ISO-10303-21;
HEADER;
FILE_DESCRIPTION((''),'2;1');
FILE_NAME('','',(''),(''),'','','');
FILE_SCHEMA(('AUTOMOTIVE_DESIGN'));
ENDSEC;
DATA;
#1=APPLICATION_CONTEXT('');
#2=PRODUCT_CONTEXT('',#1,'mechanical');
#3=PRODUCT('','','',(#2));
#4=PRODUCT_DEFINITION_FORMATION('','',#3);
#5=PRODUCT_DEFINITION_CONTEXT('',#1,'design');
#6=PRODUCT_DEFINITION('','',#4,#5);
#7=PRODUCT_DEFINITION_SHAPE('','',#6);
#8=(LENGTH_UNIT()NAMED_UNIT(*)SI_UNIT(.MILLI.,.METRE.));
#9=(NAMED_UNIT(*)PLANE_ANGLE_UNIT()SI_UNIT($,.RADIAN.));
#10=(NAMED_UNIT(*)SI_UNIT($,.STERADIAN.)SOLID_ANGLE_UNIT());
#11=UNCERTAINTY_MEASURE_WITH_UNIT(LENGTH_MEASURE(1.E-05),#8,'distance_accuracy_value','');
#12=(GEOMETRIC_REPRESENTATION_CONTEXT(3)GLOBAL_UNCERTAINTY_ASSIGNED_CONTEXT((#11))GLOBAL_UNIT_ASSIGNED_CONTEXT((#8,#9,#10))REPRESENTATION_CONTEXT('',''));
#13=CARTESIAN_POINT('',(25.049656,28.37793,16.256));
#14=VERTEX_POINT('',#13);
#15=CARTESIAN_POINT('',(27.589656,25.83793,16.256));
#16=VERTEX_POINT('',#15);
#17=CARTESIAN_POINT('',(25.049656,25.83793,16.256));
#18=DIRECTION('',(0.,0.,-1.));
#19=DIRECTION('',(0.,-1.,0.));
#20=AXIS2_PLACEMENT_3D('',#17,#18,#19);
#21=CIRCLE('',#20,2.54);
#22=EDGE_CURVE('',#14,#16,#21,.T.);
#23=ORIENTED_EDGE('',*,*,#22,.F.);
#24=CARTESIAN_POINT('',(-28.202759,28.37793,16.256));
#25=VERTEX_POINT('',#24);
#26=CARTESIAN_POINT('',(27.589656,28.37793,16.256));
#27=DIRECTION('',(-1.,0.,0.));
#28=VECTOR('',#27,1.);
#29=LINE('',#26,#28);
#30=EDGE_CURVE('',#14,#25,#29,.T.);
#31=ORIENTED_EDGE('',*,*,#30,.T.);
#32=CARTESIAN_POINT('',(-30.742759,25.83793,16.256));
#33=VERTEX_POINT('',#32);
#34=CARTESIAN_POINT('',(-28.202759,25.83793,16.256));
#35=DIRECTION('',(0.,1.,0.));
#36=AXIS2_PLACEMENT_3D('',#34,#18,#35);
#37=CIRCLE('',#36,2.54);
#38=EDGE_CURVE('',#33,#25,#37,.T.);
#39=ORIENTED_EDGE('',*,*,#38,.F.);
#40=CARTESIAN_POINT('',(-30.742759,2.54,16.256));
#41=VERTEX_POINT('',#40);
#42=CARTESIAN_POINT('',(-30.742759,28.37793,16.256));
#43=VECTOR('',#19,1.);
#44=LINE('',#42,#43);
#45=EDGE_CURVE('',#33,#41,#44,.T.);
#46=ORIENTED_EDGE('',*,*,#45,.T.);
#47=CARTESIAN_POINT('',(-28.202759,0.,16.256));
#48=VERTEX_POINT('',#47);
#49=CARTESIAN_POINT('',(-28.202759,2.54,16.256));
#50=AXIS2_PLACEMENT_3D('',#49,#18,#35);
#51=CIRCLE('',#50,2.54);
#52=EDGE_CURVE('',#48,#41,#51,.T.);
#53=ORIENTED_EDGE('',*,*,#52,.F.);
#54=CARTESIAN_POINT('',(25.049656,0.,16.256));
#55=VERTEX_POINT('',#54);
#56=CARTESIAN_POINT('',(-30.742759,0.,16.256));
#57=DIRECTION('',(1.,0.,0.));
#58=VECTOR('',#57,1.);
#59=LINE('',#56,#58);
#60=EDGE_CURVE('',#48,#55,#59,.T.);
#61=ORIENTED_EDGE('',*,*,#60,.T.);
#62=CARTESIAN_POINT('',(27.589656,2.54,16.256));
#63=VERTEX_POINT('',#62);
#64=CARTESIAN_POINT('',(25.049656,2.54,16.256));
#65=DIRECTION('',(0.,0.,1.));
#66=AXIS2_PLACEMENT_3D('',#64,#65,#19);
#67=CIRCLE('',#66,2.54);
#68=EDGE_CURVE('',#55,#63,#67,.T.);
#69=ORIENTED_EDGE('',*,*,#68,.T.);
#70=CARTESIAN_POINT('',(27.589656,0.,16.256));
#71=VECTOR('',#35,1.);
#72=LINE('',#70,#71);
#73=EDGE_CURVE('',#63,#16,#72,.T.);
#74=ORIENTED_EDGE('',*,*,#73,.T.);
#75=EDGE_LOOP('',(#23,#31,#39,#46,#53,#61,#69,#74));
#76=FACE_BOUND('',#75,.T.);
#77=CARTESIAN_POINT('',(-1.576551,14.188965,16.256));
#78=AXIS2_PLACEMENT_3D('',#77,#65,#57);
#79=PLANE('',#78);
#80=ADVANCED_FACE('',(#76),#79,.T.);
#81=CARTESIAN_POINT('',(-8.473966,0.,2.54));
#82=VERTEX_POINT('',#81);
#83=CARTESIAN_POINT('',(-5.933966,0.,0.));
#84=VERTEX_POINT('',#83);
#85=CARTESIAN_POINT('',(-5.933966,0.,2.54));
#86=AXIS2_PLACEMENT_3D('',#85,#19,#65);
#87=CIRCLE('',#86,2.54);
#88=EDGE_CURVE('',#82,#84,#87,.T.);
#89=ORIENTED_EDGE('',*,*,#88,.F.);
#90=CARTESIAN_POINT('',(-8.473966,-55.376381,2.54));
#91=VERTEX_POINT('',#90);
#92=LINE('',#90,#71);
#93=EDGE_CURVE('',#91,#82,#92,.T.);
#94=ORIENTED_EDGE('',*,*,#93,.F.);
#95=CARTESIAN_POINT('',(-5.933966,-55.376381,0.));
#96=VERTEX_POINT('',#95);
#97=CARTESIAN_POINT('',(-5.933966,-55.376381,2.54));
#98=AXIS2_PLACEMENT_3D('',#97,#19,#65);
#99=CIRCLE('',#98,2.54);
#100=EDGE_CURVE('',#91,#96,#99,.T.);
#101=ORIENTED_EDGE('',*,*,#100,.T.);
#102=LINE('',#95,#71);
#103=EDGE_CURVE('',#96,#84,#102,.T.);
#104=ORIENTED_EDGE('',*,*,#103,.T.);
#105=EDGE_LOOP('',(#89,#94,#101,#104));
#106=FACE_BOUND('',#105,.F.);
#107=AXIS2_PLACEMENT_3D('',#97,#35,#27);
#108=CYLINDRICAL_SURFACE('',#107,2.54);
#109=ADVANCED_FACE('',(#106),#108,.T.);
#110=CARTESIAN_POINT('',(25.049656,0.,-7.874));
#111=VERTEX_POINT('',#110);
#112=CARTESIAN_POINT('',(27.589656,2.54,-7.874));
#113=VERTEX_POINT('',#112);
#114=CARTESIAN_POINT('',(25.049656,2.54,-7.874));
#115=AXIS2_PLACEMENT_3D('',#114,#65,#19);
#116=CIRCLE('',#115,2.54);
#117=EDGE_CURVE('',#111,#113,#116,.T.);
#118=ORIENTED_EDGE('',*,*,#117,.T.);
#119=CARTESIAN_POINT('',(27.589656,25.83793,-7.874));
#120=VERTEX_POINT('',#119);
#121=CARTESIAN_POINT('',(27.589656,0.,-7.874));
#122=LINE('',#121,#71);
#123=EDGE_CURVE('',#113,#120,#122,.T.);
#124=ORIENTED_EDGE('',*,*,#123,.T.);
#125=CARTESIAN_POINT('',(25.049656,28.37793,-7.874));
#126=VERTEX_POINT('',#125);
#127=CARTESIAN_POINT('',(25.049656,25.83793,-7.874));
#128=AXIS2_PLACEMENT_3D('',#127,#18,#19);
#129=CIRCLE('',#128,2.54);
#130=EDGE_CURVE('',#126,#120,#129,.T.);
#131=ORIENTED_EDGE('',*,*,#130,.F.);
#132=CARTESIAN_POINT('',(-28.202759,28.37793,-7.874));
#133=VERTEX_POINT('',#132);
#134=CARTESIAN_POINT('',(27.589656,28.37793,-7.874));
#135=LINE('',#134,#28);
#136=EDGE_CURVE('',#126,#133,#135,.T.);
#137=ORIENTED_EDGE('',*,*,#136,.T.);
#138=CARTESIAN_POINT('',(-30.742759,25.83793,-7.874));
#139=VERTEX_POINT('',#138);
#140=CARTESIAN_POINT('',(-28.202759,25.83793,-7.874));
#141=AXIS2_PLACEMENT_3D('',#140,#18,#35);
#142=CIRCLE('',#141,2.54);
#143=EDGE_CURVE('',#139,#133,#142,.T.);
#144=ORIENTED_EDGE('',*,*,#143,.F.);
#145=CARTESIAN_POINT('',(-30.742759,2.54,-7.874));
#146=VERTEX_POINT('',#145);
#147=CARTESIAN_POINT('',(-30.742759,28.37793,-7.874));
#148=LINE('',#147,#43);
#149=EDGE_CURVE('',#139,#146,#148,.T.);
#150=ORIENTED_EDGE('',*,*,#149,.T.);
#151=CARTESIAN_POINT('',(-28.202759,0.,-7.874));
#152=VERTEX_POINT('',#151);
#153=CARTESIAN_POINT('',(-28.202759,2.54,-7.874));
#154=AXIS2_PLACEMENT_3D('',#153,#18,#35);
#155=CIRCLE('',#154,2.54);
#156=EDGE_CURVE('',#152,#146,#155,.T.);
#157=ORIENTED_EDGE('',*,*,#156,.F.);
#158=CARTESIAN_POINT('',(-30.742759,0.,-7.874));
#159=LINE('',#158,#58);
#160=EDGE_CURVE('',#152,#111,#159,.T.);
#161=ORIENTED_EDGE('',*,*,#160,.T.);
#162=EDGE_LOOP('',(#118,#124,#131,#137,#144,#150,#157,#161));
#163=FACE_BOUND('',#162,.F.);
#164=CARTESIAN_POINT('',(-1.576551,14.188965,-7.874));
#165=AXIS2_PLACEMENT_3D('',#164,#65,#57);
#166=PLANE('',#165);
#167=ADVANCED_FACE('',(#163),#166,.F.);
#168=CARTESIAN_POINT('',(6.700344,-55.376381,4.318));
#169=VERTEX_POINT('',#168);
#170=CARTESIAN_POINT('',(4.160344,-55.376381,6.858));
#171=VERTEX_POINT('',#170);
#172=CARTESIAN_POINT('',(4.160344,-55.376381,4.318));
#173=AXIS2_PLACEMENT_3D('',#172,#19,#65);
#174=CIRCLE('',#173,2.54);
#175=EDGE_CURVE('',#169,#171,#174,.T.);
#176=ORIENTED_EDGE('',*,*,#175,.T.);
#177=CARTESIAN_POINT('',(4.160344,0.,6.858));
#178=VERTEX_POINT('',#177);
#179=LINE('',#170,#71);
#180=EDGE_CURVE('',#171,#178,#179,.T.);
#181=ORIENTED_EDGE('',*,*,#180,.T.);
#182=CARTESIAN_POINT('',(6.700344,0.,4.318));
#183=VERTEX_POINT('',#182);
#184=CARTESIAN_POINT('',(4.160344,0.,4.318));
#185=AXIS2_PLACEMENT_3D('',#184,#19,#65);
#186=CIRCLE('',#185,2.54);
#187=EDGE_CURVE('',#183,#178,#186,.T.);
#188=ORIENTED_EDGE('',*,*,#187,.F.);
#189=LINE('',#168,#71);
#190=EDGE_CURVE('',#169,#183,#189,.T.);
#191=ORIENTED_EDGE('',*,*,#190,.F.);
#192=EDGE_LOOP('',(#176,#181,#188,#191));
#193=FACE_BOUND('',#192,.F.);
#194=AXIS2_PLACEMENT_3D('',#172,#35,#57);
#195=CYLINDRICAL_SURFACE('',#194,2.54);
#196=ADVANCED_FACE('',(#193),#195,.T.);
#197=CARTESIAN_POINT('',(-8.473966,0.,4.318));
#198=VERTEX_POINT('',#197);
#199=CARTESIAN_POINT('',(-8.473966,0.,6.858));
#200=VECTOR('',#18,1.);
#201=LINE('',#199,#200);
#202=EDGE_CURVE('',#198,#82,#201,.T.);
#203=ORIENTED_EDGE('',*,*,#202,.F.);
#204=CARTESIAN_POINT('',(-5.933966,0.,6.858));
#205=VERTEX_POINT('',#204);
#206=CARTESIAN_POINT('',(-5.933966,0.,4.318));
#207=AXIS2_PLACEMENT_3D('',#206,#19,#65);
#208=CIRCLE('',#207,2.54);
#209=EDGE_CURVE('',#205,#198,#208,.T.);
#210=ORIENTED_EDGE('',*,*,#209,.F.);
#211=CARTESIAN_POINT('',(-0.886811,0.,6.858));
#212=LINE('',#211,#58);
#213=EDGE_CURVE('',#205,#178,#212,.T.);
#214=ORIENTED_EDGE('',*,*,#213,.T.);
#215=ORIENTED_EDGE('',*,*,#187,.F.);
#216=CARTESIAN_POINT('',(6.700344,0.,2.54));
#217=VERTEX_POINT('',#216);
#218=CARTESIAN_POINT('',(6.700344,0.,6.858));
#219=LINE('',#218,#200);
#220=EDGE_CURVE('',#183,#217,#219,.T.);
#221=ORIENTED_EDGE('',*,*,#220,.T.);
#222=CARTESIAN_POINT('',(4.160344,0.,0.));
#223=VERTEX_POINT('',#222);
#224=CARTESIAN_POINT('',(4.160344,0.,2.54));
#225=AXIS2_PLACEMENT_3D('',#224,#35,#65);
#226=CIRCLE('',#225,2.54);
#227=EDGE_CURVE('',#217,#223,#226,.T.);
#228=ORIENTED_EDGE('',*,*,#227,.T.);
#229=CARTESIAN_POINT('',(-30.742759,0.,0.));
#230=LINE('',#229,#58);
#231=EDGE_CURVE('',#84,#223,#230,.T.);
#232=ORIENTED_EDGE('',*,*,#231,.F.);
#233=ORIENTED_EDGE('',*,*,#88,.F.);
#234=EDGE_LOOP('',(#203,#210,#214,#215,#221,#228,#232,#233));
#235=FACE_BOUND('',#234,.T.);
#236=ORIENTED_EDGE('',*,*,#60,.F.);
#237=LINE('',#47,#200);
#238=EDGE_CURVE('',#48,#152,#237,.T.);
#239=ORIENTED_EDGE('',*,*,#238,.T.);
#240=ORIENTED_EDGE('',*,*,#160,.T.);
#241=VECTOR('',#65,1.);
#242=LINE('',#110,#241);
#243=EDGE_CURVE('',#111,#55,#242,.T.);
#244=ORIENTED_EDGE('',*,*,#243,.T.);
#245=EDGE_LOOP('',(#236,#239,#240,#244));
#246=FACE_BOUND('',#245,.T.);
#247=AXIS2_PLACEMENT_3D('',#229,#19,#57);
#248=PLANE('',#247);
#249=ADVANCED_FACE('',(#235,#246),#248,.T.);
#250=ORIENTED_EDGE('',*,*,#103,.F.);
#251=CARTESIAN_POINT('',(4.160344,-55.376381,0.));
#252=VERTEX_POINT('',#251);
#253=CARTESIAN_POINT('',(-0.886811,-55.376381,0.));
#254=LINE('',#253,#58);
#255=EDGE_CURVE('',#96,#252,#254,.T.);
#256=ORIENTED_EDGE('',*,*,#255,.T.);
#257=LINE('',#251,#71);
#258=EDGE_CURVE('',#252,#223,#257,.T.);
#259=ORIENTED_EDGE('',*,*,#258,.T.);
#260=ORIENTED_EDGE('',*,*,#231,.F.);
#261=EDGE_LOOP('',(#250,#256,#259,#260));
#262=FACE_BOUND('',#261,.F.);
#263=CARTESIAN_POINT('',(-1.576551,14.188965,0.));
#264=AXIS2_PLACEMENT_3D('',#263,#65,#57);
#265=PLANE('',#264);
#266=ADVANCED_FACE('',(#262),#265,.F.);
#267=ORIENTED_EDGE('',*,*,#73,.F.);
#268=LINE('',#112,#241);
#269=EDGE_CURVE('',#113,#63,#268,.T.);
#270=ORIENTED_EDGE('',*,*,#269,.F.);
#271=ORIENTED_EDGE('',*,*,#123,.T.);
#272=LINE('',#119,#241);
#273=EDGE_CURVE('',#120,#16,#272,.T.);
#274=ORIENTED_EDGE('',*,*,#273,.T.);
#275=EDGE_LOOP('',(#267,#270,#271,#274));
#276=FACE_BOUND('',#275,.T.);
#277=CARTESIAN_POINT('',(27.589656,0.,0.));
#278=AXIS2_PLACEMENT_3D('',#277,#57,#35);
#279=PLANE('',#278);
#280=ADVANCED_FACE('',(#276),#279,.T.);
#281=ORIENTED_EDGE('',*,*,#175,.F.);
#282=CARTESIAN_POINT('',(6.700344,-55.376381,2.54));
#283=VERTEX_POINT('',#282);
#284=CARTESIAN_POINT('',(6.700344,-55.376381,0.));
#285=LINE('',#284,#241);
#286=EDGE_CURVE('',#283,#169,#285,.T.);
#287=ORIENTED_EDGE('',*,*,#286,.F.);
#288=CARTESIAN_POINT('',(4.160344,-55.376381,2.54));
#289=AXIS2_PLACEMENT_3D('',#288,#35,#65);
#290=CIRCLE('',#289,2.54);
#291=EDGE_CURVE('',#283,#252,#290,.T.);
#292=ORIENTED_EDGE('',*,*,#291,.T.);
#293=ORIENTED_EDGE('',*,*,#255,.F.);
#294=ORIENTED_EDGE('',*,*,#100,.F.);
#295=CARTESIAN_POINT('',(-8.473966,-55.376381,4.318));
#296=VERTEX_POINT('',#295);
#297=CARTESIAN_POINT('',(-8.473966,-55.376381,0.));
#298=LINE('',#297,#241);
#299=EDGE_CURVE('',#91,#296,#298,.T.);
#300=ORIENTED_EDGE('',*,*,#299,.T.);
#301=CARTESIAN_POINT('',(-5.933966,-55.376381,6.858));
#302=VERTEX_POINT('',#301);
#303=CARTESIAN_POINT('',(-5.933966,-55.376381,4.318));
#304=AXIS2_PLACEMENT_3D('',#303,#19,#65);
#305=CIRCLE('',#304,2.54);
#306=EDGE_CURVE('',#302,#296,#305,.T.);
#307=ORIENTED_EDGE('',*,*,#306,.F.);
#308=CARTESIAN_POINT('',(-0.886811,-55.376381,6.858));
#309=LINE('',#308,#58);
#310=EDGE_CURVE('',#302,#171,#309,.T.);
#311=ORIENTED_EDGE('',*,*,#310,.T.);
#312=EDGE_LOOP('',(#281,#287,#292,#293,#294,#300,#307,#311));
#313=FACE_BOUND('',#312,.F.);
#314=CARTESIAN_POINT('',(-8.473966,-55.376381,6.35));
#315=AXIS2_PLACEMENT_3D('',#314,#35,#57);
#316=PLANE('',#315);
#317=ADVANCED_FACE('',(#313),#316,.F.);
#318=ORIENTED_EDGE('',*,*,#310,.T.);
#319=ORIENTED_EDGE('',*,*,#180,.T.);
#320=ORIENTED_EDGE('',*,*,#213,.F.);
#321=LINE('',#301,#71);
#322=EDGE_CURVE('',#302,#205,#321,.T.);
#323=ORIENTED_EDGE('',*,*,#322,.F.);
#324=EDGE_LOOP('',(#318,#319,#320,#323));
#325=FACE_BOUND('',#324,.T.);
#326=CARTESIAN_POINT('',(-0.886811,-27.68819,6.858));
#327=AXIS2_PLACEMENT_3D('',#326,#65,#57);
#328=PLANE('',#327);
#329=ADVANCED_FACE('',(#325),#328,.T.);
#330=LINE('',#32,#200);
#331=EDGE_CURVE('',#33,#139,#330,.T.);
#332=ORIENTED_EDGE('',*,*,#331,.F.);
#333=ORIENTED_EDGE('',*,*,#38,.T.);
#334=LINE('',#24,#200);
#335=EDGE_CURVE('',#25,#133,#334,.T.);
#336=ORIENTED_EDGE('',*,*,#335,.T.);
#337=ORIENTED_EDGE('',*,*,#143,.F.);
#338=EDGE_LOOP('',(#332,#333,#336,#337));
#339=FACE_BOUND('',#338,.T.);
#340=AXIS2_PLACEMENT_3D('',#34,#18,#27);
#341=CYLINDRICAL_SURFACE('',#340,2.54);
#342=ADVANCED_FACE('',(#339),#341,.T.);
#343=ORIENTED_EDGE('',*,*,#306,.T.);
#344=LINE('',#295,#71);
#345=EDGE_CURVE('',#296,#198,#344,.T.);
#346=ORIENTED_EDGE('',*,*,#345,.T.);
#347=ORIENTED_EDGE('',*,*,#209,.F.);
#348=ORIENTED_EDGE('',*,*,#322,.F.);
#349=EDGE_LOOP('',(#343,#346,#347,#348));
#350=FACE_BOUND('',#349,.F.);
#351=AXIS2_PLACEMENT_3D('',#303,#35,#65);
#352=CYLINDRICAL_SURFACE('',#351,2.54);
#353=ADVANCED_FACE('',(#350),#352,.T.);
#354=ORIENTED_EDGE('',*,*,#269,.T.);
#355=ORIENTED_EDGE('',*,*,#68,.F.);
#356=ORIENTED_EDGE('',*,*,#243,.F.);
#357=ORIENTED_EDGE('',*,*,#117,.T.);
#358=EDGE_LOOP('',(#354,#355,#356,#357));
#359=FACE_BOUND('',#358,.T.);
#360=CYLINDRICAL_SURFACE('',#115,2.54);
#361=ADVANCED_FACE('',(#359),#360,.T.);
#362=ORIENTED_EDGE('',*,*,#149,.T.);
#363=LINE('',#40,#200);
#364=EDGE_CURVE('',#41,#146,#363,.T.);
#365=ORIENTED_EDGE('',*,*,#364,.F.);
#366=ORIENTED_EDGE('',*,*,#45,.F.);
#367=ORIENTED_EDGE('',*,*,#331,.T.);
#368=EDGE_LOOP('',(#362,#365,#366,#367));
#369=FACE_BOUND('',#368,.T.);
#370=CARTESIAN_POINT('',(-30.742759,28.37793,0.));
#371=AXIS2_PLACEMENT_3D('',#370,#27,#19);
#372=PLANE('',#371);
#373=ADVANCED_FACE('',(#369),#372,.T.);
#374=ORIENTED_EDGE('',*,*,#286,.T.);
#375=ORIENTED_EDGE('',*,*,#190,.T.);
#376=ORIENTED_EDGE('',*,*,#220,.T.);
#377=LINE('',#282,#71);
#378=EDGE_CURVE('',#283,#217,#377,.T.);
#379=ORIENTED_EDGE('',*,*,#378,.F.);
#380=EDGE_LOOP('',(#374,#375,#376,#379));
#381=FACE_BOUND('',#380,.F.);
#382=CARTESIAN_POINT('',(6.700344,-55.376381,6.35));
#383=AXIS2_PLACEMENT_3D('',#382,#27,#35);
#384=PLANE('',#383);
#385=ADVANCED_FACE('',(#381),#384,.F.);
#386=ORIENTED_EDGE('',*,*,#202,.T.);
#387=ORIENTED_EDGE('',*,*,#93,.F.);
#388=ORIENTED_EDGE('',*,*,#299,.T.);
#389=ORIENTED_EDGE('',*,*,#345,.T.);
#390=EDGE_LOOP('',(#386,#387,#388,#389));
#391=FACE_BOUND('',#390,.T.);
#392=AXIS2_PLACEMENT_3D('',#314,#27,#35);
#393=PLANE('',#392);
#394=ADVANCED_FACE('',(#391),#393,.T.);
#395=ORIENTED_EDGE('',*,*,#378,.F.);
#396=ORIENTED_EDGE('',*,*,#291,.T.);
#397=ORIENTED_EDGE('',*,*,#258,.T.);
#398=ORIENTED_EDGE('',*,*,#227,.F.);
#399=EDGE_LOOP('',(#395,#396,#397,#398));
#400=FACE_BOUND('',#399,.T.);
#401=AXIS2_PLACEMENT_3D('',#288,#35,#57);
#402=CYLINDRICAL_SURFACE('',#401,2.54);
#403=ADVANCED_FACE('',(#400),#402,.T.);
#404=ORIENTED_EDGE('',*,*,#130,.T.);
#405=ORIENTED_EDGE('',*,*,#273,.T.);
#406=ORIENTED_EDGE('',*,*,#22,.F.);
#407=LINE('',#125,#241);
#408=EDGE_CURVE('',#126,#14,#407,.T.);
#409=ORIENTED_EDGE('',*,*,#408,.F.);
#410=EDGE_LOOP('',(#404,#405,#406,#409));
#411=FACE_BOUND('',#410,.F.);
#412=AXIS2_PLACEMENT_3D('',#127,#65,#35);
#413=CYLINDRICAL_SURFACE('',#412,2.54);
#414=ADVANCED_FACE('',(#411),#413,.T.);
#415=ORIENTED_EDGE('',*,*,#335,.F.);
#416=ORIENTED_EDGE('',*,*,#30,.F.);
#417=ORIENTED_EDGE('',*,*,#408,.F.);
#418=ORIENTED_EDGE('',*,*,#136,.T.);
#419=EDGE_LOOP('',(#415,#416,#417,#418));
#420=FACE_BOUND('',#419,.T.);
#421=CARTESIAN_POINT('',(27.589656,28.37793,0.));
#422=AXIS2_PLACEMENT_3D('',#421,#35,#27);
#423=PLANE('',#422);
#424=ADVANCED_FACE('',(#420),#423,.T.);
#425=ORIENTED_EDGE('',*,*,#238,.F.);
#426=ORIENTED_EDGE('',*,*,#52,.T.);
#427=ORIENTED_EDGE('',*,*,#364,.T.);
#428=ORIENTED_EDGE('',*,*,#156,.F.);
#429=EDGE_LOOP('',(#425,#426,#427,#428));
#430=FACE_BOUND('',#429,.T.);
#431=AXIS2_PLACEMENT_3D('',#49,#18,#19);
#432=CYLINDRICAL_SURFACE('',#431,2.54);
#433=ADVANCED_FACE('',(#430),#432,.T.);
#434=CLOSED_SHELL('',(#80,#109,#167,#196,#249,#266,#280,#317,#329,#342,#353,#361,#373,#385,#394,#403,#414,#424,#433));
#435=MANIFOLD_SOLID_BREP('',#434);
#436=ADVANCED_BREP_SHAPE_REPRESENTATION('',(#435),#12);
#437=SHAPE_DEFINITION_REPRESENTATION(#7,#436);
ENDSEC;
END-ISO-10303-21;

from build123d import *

# Parameters (mm, degrees)
F0_W     = 15.1743106544
F0_H     = 55.376380682
F1_DEPTH = 6.35
F2_DEPTH = 16.256
F3_DEPTH = 0.508
F4_DEPTH = 7.874
F5_R     = 2.54


with BuildPart() as f1:
    # F0 (on Top) → F1 (new body)
    with BuildSketch(Plane.XY):
        with Locations((-0.8868109435, -27.688190341)):
            Rectangle(F0_W, F0_H)
    extrude(amount=F1_DEPTH)

    # F0 (on Top) → F2 (join)
    with BuildSketch(Plane.XY):
        Polygon((-30.742758885, 0), (-8.4739662707, 0), (6.7003443837, 0), (27.5896564126, 0), (27.5896564126, 28.3779297024), (-30.742758885, 28.3779297024), align=None)
    extrude(amount=F2_DEPTH)

    # F3 (add): a face of the model
    f3_faces = [f1.faces().sort_by_distance(p)[0] for p in [
        (-0.8868109435, -27.688190341, 6.35),
    ]]
    extrude(f3_faces, amount=F3_DEPTH)

    # F0 (on Top) → F4 (join)
    with BuildSketch(Plane.XY):
        Polygon((-30.742758885, 0), (-8.4739662707, 0), (6.7003443837, 0), (27.5896564126, 0), (27.5896564126, 28.3779297024), (-30.742758885, 28.3779297024), align=None)
    extrude(amount=-F4_DEPTH)

    # F5
    f5_edges = [f1.edges().sort_by_distance(p)[0] for p in [
        (-8.473966, -27.68819, 0),
        (-8.473966, -27.68819, 6.858),
        (6.700344, -27.68819, 6.858),
        (6.700344, -27.68819, 0),
        (27.589656, 0, 4.191),
        (-30.742759, 0, 4.191),
        (-30.742759, 28.37793, 4.191),
        (27.589656, 28.37793, 4.191),
    ]]
    fillet(f5_edges, radius=F5_R)


solid = f1.part
